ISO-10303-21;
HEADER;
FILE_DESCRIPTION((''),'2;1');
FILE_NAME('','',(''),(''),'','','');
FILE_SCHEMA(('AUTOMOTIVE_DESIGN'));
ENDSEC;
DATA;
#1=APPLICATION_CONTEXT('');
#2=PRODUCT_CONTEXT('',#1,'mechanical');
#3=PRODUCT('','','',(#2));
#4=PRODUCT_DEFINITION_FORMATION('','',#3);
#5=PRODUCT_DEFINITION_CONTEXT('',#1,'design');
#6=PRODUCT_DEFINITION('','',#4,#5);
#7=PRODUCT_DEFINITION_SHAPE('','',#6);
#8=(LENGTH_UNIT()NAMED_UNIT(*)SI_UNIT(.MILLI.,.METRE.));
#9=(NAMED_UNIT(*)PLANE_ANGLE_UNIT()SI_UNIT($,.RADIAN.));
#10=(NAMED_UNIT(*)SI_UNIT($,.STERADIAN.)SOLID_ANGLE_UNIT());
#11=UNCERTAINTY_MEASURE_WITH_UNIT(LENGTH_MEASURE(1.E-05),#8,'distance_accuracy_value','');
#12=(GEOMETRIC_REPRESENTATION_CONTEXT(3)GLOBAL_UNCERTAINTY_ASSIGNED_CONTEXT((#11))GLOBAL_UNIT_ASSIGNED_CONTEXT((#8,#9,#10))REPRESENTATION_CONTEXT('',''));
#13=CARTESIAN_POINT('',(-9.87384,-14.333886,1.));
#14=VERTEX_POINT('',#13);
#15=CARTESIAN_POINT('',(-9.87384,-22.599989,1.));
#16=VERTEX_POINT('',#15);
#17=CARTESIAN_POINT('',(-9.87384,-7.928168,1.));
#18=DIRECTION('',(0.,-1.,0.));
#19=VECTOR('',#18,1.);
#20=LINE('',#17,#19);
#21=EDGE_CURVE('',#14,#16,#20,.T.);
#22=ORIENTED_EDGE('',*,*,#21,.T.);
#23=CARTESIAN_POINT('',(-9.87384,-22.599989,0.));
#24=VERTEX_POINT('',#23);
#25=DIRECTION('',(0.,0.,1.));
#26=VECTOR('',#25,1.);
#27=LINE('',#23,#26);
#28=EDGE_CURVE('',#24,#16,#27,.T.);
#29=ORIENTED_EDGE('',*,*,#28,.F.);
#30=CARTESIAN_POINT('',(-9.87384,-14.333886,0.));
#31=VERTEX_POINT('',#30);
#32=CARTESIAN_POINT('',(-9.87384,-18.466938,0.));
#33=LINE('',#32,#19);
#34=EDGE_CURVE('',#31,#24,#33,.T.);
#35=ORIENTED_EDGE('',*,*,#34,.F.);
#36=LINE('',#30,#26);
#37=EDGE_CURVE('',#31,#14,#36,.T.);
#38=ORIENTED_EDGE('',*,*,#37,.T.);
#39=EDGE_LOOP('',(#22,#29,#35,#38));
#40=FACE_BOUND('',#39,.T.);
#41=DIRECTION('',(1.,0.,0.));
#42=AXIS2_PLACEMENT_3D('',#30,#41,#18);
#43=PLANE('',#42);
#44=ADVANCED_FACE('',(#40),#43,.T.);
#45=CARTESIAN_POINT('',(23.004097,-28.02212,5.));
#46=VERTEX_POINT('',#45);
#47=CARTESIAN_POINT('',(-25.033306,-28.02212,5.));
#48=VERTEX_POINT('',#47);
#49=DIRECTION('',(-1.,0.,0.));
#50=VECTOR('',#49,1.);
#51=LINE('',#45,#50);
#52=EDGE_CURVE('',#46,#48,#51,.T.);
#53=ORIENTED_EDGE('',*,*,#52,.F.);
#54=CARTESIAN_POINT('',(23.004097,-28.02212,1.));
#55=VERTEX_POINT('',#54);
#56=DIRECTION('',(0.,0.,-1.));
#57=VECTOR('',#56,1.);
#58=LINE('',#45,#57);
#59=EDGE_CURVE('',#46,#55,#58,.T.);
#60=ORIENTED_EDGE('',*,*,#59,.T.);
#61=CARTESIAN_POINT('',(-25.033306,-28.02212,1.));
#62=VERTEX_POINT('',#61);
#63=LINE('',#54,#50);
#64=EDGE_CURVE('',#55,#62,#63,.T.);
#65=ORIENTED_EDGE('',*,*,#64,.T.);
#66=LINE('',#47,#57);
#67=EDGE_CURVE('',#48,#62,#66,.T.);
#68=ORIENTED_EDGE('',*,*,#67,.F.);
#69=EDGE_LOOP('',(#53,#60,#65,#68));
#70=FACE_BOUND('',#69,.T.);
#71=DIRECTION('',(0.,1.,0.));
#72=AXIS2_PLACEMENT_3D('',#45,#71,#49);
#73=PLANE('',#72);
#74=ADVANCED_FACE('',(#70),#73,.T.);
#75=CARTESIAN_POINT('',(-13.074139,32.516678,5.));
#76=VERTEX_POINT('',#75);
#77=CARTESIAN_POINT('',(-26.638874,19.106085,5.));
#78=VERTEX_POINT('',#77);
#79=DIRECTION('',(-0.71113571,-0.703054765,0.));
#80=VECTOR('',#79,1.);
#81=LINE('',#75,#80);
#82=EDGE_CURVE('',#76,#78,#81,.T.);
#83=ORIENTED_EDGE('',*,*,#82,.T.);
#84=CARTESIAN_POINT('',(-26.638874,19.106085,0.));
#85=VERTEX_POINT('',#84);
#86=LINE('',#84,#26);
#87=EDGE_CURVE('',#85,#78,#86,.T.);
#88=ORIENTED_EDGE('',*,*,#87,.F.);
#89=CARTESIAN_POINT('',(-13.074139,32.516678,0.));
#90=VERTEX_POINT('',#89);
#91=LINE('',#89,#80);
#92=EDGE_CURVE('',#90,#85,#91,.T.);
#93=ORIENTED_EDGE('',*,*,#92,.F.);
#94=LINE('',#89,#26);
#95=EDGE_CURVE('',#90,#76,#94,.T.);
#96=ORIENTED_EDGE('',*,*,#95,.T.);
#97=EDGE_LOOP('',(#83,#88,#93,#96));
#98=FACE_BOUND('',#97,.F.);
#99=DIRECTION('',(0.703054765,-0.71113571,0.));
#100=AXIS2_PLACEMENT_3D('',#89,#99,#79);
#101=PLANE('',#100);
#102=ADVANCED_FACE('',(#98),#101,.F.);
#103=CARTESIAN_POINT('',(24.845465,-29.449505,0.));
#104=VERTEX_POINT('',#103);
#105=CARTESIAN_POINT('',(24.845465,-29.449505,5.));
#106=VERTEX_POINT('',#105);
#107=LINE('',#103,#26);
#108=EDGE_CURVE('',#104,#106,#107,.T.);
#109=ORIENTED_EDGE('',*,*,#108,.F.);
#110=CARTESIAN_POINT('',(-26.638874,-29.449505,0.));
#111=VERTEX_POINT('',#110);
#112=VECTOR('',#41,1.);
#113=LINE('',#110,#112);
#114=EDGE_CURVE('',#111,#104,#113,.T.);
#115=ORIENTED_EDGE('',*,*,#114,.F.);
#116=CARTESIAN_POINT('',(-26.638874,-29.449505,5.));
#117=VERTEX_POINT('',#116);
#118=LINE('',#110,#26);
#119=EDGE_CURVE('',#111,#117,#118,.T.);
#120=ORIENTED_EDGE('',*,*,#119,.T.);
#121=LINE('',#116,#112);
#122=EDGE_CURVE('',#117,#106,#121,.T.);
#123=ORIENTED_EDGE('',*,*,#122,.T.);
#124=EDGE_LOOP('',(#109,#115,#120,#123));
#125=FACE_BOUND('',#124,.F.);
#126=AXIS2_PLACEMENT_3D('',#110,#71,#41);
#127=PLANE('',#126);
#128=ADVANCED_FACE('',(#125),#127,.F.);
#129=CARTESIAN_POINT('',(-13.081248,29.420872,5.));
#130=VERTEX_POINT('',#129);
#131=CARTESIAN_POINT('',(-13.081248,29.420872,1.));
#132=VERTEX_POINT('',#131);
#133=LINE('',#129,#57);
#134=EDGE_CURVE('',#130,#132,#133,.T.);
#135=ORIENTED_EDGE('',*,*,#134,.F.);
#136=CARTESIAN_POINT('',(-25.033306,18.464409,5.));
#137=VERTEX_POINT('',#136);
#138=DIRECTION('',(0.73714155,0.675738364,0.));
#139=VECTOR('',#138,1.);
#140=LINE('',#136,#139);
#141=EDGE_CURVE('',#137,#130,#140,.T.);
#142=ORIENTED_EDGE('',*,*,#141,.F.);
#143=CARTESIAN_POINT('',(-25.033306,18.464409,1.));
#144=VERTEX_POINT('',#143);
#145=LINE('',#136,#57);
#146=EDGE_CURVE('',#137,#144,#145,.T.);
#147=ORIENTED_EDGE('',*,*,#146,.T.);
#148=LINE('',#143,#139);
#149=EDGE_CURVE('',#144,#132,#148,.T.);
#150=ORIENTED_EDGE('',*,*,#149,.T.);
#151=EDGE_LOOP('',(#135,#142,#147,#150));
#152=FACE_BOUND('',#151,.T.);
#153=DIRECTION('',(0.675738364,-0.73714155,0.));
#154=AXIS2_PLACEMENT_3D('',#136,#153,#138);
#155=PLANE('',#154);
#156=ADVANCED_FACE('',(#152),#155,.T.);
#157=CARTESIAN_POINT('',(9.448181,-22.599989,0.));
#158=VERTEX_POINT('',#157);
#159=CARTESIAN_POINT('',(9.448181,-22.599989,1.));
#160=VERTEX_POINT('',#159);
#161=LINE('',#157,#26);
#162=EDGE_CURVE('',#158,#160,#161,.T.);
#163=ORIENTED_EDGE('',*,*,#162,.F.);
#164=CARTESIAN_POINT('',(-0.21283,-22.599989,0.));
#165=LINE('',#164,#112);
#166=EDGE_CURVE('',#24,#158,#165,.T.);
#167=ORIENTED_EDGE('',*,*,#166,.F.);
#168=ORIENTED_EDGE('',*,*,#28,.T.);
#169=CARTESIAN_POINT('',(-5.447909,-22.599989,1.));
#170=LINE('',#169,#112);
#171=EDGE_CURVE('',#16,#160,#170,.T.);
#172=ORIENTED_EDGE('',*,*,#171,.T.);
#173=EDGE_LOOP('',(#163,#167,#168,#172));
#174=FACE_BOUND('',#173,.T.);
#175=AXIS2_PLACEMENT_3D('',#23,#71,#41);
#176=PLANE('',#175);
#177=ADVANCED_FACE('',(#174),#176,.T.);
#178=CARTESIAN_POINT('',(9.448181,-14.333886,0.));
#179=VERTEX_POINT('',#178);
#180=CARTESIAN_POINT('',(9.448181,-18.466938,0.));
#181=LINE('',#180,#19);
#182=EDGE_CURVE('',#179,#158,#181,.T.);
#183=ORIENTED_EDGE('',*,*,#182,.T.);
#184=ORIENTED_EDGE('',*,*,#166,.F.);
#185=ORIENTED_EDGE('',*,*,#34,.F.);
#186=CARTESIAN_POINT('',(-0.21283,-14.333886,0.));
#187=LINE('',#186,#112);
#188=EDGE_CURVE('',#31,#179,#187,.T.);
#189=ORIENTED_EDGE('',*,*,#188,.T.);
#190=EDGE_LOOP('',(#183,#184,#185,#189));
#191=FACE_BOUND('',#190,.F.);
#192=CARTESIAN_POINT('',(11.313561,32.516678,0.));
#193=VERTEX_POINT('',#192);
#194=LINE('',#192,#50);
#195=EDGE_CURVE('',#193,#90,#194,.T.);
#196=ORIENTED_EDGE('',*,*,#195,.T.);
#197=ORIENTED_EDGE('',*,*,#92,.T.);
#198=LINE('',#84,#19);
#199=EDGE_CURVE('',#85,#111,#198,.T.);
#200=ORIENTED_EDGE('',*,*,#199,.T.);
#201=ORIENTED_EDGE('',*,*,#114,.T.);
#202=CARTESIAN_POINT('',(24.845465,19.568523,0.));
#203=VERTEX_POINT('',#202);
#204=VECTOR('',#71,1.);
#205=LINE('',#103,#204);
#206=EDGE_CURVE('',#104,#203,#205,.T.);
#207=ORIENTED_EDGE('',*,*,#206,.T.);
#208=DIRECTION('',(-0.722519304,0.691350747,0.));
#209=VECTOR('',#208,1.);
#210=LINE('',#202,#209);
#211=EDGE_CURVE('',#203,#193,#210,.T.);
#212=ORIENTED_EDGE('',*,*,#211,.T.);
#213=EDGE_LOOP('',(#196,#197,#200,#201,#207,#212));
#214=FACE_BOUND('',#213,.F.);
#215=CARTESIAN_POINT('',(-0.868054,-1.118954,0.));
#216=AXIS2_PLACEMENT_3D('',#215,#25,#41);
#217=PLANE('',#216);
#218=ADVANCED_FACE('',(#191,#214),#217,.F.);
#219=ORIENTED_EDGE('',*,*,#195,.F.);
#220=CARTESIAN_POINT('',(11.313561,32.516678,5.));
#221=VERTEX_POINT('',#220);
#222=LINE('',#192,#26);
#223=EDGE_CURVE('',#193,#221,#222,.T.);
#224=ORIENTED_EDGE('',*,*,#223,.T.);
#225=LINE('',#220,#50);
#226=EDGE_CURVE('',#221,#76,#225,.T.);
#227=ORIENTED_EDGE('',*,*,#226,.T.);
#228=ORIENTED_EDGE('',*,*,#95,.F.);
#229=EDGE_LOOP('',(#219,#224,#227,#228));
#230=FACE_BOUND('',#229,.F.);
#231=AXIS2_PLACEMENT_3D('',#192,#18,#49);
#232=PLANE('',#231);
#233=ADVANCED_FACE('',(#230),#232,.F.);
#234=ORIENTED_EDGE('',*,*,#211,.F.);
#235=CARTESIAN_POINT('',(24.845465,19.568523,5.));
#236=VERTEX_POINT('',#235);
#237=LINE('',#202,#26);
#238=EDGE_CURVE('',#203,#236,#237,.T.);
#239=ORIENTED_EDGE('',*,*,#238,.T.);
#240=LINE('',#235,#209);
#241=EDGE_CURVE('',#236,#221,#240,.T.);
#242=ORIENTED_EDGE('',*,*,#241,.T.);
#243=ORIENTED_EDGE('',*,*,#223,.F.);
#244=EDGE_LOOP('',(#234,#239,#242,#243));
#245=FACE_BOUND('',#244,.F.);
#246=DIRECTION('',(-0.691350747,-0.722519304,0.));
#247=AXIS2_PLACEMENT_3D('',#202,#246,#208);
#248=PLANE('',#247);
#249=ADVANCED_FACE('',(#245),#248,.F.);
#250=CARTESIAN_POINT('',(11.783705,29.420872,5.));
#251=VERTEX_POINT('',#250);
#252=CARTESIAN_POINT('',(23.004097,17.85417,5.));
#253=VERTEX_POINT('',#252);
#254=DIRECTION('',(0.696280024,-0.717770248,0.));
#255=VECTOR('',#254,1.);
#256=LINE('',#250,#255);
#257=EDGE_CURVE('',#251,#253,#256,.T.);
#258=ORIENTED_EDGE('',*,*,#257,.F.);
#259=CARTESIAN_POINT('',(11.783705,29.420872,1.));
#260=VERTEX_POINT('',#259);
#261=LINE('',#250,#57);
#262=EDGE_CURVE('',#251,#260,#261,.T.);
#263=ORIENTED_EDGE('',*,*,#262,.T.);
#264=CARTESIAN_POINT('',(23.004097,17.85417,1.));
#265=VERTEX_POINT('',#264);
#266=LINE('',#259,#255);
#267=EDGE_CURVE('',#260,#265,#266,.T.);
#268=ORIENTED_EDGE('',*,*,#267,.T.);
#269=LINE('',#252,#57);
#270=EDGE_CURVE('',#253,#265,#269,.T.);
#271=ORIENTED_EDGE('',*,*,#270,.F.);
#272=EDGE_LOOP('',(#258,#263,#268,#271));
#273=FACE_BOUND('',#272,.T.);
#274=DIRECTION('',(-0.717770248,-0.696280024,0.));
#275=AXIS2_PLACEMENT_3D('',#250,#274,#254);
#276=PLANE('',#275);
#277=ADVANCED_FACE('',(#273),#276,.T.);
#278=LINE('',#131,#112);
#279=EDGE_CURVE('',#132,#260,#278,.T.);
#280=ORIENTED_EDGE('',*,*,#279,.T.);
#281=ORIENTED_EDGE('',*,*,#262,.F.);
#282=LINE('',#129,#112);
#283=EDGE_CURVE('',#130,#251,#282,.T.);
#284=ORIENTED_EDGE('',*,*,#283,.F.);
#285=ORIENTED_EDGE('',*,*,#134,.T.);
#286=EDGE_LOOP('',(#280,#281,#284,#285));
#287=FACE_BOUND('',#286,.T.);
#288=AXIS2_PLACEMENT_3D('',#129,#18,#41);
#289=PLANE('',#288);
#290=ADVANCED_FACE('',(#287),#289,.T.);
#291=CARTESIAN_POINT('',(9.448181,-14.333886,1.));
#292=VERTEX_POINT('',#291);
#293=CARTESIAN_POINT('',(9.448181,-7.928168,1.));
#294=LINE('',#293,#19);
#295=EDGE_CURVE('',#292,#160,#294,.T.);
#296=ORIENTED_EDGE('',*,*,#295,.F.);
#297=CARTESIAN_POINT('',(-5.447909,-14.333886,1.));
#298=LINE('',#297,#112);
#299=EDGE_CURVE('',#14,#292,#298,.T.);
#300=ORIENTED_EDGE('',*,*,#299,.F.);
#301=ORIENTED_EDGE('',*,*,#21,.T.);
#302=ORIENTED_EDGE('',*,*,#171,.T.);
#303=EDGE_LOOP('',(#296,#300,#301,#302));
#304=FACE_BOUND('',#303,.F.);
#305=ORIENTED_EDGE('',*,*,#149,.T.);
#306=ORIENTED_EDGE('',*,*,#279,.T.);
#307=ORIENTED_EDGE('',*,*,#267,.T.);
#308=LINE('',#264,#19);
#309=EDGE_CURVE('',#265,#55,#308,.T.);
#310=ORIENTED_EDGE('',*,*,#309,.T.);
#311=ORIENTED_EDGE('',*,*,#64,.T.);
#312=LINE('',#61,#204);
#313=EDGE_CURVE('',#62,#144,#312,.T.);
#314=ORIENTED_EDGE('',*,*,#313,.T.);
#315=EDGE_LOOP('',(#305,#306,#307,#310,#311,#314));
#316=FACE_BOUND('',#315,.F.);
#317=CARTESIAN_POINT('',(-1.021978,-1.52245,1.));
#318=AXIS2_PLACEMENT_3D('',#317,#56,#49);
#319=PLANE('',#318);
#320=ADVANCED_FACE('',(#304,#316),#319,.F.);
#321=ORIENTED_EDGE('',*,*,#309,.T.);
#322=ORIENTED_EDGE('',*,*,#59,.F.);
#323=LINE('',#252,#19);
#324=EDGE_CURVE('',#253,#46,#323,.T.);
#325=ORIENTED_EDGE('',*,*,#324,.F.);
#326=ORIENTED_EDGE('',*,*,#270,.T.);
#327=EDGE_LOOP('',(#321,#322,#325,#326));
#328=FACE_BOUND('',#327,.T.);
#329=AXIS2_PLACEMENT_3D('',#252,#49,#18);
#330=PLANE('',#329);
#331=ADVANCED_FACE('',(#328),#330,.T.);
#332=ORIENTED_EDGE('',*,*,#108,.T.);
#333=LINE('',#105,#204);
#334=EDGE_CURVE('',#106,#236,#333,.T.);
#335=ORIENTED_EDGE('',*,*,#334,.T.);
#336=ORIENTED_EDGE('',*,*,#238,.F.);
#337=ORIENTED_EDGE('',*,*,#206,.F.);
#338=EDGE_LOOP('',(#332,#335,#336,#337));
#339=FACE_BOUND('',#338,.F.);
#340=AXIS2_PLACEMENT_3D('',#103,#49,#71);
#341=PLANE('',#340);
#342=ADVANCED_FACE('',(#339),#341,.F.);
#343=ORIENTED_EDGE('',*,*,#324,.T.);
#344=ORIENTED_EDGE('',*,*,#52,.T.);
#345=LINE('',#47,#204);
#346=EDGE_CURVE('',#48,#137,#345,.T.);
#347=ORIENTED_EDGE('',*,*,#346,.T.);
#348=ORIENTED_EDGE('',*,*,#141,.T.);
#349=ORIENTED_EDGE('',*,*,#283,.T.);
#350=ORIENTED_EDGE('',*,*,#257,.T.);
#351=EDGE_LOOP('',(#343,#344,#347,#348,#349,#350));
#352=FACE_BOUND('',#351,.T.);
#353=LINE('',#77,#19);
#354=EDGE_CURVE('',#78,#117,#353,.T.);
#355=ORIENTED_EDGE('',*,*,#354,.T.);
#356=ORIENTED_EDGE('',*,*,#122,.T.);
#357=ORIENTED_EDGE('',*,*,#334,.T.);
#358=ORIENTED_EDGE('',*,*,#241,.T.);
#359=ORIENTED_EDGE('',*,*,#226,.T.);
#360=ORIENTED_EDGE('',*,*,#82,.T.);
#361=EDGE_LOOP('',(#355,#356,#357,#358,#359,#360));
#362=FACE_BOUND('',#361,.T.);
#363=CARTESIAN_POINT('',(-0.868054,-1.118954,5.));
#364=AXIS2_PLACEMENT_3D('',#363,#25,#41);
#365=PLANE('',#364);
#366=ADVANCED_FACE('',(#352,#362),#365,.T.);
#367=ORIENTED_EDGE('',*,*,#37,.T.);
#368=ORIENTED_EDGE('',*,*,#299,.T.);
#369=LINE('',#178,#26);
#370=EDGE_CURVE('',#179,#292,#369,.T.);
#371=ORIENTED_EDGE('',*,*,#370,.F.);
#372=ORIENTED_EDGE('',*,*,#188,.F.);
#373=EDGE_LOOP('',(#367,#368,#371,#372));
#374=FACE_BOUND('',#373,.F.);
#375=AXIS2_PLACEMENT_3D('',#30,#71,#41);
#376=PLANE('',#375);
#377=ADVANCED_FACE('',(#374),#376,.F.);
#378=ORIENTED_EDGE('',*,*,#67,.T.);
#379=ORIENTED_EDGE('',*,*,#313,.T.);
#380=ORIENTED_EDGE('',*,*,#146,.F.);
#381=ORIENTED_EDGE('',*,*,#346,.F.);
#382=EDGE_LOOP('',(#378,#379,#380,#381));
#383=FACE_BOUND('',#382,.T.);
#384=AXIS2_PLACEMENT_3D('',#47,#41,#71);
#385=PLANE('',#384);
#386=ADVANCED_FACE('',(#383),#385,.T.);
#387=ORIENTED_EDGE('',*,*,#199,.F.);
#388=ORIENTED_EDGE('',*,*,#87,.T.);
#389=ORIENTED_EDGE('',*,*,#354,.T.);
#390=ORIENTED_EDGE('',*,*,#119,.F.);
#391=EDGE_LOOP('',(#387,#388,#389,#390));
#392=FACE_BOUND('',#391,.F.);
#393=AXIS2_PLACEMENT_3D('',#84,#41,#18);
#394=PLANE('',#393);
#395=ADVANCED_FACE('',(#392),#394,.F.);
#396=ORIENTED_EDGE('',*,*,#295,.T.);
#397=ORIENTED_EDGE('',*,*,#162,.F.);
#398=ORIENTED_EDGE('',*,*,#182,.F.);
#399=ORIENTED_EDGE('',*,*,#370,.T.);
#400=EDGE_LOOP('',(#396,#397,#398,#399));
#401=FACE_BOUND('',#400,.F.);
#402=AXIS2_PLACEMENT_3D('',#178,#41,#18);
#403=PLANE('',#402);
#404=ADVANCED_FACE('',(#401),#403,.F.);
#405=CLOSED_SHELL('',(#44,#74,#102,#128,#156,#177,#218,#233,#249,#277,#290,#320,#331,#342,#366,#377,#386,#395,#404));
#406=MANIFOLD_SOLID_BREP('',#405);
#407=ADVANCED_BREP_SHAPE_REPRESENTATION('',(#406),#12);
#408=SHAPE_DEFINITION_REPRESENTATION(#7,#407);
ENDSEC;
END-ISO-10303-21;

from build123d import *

# Parameters (mm, degrees)
PAD026_DEPTH    = 5
POCKET005_DEPTH = 4
SKETCH030_W     = 19.322021
SKETCH030_H     = 8.266103
POCKET006_DEPTH = 5


with BuildPart() as part:
    # Sketch028 → Pad026 (new body)
    with BuildSketch(Plane.XY):
        Polygon((-13.074139, 32.516678), (-26.638874, 19.106085), (-26.638874, -29.449505), (24.845465, -29.449505), (24.845465, 19.568523), (11.313561, 32.516678), align=None)
    extrude(amount=PAD026_DEPTH)

    # Sketch029 (on Face8 of Pad026) → Pocket005 (cut)
    with BuildSketch(Plane.XY.offset(5)):
        Polygon((-25.033306, 18.464409), (-13.081248, 29.420872), (11.783705, 29.420872), (23.004097, 17.85417), (23.004097, -28.02212), (-25.033306, -28.02212), align=None)
    extrude(amount=-POCKET005_DEPTH, mode=Mode.SUBTRACT)

    # Sketch030 (on Face4 of Pocket005) → Pocket006 (cut)
    with BuildSketch(Plane(origin=(0, 0, 0), x_dir=(1, 0, 0), z_dir=(0, 0, -1))):
        with Locations((-0.2128295, 18.4669375)):
            Rectangle(SKETCH030_W, SKETCH030_H)
    extrude(amount=-POCKET006_DEPTH, mode=Mode.SUBTRACT)


solid = part.part
